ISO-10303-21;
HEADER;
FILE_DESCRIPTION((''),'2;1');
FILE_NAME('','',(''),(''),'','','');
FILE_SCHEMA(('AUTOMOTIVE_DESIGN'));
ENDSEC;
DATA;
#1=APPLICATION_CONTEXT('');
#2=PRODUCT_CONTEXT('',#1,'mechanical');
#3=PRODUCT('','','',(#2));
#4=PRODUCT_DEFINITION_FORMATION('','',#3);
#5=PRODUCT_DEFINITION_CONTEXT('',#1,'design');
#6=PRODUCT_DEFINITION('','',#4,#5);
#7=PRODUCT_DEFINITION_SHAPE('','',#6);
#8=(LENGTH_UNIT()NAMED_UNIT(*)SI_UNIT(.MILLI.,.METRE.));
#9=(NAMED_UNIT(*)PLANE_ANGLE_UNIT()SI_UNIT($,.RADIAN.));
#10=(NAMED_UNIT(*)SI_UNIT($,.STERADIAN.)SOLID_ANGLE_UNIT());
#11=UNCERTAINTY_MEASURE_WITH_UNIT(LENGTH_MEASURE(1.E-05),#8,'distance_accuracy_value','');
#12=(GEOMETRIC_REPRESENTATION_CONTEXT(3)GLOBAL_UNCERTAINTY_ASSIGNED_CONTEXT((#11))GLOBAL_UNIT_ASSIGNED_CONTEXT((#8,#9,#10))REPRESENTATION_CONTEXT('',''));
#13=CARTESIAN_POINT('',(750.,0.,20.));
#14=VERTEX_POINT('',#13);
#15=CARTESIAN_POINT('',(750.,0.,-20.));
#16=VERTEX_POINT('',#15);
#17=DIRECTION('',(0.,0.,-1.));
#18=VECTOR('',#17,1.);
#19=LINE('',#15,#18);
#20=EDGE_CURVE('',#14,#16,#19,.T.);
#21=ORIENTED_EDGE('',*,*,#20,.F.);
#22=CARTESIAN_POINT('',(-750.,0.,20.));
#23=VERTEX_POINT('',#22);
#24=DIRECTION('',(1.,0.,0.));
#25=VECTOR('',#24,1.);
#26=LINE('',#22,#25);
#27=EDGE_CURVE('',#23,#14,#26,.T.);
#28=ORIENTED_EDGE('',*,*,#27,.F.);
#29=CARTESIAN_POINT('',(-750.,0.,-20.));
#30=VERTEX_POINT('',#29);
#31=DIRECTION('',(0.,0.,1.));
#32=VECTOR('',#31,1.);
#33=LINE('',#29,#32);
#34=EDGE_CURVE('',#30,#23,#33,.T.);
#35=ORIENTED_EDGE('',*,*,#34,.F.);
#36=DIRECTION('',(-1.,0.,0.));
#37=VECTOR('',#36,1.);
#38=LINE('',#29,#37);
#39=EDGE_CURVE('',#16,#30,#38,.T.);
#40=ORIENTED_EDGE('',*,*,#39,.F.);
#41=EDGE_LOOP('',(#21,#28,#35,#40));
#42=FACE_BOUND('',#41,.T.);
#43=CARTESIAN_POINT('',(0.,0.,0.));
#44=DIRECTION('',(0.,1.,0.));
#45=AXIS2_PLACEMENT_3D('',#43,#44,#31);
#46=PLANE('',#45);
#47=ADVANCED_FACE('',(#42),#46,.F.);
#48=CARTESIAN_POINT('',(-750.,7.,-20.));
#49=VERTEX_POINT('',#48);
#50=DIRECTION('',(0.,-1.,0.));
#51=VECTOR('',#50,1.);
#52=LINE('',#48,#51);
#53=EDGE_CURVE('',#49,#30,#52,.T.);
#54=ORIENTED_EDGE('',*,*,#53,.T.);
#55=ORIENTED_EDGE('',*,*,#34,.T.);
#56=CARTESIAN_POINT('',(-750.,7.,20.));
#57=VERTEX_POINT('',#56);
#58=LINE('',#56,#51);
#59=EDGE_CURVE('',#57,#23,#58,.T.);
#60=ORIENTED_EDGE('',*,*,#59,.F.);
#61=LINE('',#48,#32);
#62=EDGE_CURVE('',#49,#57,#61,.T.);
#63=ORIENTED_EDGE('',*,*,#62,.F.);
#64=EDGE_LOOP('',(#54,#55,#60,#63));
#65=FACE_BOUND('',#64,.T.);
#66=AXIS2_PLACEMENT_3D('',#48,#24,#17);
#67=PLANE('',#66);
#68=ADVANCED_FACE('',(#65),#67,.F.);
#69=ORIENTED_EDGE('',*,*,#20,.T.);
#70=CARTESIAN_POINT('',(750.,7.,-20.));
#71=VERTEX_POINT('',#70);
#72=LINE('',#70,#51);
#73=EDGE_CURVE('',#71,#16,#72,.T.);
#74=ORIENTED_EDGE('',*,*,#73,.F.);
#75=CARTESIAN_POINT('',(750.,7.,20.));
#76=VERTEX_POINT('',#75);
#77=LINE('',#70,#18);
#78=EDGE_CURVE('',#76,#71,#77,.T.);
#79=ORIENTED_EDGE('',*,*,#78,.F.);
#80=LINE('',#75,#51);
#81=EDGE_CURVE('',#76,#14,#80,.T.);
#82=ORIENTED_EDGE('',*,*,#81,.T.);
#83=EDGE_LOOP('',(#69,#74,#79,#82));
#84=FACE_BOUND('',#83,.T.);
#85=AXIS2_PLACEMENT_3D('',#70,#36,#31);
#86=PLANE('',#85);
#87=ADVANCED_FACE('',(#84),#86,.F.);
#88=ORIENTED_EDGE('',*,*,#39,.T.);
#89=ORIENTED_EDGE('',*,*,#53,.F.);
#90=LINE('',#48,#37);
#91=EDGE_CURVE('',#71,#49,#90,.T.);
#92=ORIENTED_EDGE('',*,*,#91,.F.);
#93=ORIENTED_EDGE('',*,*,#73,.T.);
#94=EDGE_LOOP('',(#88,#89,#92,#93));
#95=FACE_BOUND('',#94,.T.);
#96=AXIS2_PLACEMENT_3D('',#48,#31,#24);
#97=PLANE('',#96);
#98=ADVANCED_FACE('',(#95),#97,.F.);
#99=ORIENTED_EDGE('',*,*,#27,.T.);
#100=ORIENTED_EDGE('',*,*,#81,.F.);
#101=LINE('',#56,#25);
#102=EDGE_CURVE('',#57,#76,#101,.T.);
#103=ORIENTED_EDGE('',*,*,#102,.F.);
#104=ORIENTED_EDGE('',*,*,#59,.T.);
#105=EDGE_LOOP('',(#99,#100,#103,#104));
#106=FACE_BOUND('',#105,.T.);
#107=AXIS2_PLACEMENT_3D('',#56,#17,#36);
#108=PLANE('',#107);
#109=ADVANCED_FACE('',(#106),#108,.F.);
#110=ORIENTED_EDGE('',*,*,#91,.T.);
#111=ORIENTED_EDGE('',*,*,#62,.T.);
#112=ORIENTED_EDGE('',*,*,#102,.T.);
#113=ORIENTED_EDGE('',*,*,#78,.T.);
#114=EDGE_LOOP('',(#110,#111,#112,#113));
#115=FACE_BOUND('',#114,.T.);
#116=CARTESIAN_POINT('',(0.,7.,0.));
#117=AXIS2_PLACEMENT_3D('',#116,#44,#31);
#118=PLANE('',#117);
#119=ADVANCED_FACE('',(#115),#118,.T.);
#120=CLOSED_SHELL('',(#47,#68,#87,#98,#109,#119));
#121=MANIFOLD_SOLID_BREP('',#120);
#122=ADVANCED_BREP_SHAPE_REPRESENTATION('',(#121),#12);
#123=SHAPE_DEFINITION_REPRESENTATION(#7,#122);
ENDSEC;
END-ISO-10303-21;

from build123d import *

# Parameters (mm, degrees)
SKIZZE1_W                       = 1500
SKIZZE1_H                       = 40
AUFSATZ_LINEAR_AUSTRAGEN1_DEPTH = 7


with BuildPart() as part:
    # Skizze1 → Aufsatz-Linear austragen1 (new body)
    with BuildSketch(Plane(origin=(0, 0, 0), x_dir=(1, 0, 0), z_dir=(0, 1, 0))):
        Rectangle(SKIZZE1_W, SKIZZE1_H)
    extrude(amount=AUFSATZ_LINEAR_AUSTRAGEN1_DEPTH)


solid = part.part
